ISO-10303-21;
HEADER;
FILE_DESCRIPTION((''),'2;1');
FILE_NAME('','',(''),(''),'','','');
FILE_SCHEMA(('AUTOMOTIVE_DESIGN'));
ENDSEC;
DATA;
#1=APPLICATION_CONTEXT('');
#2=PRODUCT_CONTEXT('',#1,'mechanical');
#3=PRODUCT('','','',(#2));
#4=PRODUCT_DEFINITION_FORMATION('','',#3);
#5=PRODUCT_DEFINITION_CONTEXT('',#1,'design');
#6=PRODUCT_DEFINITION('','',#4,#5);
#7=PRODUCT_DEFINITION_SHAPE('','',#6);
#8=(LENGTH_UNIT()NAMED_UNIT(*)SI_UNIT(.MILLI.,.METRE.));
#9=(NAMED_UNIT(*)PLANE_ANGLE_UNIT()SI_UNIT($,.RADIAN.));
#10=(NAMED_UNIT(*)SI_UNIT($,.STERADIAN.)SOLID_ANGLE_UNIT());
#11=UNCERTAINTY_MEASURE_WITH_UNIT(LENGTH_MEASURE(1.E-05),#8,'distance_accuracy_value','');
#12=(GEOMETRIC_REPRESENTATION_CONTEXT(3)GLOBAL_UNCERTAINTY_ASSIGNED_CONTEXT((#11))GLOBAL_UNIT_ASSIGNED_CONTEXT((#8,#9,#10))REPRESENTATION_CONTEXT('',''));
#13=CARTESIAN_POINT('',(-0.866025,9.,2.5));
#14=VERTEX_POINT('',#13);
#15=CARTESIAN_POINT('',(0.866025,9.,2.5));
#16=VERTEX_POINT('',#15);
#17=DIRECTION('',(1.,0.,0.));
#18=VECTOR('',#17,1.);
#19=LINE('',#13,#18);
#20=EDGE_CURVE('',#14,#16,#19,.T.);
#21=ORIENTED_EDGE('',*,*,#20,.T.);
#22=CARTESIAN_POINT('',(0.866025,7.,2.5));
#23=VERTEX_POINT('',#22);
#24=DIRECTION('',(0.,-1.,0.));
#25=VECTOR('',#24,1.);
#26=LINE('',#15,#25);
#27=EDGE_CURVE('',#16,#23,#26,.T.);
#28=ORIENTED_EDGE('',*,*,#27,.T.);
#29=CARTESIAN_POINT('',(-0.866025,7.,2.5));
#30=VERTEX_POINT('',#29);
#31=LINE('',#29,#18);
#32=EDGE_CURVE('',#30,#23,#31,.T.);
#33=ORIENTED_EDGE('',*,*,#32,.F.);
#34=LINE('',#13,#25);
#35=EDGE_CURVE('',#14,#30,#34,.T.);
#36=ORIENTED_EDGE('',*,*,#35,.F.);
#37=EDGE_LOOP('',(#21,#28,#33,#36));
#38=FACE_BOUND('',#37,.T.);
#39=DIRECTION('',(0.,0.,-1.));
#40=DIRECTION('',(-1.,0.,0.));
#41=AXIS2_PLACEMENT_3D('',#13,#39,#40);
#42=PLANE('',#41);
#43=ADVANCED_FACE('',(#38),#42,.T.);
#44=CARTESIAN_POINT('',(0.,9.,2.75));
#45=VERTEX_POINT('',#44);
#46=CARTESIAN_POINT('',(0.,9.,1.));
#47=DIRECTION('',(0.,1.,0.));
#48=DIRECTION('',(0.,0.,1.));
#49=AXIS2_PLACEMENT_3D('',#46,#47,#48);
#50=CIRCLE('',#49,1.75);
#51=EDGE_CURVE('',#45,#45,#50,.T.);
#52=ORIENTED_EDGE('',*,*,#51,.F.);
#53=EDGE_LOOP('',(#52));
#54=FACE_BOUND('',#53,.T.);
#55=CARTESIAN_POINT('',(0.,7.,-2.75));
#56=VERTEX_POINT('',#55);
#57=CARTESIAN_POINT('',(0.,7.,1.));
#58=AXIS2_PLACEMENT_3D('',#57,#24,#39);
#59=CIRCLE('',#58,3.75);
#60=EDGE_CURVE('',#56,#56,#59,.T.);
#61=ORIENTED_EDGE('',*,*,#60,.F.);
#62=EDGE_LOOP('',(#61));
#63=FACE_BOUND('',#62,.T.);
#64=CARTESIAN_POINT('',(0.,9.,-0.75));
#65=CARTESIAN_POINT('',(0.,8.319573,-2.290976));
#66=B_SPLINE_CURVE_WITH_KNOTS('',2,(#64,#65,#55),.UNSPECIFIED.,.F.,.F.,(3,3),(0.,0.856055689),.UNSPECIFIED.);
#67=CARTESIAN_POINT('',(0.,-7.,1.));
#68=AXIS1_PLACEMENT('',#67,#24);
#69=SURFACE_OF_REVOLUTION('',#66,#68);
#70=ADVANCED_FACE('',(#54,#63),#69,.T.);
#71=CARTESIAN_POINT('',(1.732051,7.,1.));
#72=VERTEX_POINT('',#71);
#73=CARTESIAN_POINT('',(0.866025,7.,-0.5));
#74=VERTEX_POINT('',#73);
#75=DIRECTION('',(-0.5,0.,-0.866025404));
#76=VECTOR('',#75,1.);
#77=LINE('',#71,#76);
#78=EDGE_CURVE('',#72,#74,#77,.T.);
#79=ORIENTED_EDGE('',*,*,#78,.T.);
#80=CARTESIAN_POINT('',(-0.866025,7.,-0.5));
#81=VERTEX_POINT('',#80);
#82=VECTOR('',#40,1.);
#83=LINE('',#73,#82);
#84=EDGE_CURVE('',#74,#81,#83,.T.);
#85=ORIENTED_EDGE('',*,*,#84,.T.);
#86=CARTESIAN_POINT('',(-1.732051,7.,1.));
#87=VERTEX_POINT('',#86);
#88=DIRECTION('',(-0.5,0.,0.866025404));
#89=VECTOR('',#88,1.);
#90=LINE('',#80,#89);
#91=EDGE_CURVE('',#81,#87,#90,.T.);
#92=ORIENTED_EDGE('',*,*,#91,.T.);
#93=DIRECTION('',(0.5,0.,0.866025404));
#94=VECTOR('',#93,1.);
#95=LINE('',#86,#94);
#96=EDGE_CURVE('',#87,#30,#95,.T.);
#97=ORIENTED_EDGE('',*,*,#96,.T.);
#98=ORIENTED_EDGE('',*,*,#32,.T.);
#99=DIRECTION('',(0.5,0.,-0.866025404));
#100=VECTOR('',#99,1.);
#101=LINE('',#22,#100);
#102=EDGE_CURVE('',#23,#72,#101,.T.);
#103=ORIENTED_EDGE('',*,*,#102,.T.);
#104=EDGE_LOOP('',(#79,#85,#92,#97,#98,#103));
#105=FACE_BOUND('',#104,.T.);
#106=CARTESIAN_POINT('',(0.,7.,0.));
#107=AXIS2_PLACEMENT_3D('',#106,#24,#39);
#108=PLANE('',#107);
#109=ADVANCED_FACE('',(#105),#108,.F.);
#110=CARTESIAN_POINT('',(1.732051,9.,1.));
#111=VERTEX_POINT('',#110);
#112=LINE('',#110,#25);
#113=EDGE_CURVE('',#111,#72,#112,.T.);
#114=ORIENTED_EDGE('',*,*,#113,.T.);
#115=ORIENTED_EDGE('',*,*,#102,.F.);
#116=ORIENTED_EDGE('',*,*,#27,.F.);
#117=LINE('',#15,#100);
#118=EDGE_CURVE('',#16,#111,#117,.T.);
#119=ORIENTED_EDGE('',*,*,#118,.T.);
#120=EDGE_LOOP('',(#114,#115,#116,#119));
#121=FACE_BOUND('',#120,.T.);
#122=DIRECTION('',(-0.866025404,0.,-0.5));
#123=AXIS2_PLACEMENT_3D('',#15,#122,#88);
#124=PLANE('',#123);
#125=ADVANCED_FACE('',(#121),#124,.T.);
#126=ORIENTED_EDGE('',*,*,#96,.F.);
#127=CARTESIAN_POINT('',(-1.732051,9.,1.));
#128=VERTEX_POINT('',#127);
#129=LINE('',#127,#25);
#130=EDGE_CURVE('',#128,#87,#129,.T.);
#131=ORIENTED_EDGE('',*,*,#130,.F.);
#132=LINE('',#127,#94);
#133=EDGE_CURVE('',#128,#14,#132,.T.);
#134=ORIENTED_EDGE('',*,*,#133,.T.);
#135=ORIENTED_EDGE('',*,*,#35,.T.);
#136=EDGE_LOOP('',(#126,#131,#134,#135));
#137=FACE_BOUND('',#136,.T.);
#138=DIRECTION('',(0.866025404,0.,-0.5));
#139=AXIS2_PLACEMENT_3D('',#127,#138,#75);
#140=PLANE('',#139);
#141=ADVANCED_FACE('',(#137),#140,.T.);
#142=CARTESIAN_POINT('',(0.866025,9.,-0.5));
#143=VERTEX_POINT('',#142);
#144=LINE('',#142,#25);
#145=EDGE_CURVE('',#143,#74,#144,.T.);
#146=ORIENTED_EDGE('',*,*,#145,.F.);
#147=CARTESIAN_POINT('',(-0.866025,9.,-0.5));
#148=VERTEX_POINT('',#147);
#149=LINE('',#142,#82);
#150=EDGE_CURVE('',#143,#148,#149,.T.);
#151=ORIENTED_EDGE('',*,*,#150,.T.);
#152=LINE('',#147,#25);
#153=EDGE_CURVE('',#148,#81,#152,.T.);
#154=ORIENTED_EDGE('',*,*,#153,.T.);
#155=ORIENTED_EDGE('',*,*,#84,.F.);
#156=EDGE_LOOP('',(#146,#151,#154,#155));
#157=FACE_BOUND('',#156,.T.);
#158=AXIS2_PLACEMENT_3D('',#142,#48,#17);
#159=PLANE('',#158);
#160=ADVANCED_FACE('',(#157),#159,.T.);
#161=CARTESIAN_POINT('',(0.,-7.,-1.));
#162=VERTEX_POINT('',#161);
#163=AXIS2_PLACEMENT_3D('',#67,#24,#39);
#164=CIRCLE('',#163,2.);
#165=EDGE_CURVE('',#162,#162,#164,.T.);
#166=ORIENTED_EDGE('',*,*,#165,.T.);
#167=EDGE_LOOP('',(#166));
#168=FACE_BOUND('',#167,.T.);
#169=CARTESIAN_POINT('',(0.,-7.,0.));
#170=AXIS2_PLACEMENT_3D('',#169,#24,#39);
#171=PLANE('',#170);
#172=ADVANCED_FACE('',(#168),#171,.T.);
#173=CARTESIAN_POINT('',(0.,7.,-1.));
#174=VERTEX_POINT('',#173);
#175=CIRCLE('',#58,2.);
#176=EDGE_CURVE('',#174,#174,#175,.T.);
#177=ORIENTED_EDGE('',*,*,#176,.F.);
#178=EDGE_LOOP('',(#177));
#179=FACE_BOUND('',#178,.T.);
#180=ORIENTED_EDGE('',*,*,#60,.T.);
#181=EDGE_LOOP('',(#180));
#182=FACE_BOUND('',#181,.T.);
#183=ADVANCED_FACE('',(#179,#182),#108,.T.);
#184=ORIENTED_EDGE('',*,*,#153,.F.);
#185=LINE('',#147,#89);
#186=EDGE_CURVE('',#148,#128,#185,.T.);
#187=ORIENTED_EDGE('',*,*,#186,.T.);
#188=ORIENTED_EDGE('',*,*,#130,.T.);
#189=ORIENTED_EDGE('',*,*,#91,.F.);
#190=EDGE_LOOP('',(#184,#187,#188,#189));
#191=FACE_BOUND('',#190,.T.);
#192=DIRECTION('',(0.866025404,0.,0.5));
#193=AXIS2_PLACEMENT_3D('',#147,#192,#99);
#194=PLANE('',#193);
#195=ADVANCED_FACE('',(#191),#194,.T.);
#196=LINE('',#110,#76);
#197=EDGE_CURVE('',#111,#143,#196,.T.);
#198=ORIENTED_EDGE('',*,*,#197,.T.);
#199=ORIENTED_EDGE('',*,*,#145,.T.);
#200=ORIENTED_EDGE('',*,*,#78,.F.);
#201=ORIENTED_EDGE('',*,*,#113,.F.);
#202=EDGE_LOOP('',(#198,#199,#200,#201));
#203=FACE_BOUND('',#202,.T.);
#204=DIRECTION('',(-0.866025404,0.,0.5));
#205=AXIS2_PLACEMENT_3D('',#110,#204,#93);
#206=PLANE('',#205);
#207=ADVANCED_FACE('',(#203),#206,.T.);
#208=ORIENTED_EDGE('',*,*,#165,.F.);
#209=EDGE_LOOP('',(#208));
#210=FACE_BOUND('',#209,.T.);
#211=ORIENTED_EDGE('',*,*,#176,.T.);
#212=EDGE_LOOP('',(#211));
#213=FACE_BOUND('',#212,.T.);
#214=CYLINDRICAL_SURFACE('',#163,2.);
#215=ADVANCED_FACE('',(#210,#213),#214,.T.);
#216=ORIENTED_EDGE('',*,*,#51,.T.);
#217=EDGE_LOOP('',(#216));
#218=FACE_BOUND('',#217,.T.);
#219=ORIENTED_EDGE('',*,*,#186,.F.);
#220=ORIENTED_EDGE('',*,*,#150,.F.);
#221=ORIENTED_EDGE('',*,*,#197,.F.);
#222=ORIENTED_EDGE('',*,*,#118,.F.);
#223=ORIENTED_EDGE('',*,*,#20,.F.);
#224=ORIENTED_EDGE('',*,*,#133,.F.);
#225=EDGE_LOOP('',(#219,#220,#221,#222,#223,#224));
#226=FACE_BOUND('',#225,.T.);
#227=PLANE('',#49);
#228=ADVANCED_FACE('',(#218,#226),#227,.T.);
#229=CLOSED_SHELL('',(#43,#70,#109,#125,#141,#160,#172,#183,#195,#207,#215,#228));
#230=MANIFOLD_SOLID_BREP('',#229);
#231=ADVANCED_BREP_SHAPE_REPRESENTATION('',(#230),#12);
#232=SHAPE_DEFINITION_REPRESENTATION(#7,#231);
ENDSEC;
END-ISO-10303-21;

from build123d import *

# Parameters (mm, degrees)
SKETCH15_W           = 2
SKETCH15_H           = 14
SKETCH19_R           = 1.75
BOSS_EXTRUDE11_DEPTH = 2


with BuildPart() as part:
    # Sketch15 → Revolve3 (revolve)
    with BuildSketch(Plane(origin=(0, 0, 0), x_dir=(0, 0, -1), z_dir=(1, 0, 0))):
        Rectangle(SKETCH15_W, SKETCH15_H)
        with BuildLine():
            Line((0.75, 9), (0.75, 7))
            Line((0.75, 7), (1, 7))
            Line((1, 7), (2.75, 7))
            add(Edge.make_bspline(
                [(0.75, 9), (2.290975881, 8.319572534), (2.75, 7)],
                knots=[0, 0, 0, 0.856055689, 0.856055689, 0.856055689], degree=2))
        make_face()
    revolve(axis=Axis((0, -7, 1), (0, 1, 0)))

    # Sketch19 → Boss-Extrude11 (add)
    with BuildSketch(Plane(origin=(0, 7, 0), x_dir=(1, 0, 0), z_dir=(0, 1, 0))):
        with Locations((0, -1)):
            Circle(SKETCH19_R)
        Polygon((1.732050808, -1), (0.866025404, 0.5), (-0.866025404, 0.5), (-1.732050808, -1), (-0.866025404, -2.5), (0.866025404, -2.5), align=None, mode=Mode.SUBTRACT)
    extrude(amount=BOSS_EXTRUDE11_DEPTH)


solid = part.part
